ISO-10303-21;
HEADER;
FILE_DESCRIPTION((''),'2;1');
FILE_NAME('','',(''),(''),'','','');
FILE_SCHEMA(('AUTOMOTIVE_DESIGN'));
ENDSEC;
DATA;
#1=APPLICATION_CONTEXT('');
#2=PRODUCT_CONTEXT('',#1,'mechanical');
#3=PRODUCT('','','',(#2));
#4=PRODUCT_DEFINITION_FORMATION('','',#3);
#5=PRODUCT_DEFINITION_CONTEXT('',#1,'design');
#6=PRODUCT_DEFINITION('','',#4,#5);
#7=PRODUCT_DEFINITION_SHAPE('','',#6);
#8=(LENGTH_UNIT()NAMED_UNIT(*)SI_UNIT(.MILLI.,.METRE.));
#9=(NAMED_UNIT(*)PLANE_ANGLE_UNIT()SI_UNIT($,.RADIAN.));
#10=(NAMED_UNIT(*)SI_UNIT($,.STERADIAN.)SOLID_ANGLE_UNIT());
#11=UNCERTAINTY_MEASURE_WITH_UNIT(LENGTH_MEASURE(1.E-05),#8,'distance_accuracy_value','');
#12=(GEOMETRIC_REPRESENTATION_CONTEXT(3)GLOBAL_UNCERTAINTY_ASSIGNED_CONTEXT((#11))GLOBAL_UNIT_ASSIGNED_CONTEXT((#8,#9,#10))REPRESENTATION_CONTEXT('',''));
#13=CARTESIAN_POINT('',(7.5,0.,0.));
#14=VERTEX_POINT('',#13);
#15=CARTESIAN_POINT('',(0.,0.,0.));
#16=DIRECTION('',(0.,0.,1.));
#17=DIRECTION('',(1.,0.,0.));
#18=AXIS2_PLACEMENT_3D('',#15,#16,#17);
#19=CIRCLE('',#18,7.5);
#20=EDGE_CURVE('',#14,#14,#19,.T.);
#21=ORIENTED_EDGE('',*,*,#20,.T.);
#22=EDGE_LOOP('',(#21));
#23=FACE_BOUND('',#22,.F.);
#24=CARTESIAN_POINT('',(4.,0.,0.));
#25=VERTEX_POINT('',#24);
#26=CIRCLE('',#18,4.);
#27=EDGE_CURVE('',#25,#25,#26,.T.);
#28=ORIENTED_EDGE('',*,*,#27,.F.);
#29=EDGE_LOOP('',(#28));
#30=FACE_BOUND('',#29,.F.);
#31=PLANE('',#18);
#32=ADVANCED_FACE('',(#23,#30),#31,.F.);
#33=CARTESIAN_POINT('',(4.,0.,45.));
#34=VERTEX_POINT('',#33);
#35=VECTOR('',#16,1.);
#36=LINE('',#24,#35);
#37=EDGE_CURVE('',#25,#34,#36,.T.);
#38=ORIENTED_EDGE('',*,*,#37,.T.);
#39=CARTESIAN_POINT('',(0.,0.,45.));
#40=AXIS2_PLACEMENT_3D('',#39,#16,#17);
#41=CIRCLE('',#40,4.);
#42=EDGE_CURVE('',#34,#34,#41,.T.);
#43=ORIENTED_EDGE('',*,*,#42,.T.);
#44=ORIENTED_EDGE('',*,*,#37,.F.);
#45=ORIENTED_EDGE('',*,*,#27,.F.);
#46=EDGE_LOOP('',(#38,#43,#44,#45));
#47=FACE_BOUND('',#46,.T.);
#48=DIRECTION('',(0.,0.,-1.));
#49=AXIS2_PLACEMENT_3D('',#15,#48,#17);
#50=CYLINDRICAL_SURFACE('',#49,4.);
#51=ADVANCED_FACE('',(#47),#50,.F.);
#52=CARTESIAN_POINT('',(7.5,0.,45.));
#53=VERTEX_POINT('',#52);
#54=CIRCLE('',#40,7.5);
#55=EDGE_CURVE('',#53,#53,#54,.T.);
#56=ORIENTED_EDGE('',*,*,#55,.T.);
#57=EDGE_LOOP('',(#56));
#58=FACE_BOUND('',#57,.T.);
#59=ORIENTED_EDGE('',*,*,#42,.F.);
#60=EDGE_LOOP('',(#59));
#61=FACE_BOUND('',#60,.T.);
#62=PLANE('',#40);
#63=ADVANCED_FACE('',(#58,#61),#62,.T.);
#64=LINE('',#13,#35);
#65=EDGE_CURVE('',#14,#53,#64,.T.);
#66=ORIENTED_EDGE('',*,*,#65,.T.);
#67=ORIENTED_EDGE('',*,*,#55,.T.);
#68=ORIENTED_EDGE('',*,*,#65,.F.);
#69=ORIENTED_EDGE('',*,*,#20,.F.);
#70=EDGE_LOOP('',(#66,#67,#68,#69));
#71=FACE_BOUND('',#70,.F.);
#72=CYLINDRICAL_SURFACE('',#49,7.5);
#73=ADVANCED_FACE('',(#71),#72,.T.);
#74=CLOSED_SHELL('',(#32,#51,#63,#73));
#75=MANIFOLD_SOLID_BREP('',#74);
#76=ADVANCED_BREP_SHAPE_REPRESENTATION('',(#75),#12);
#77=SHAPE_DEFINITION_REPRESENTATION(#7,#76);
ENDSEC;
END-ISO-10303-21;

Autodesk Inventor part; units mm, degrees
ref_plane "YZ Plane" through (0, 0, 0) normal (1, 0, 0) x (0, 1, 0)
ref_plane "XZ Plane" through (0, 0, 0) normal (0, 1, 0) x (-1, 0, 0)
ref_plane "XY Plane" through (0, 0, 0) normal (0, 0, 1) x (1, 0, 0)
sketch "Sketch1" plane through (0, 0, 0) normal (0, 0, 1) x (1, 0, 0)
  circle A0 centre (0, 0) radius 7.5
  circle A1 centre (0, 0) radius 4
  dimension "d0" = 15
  dimension "d3" = 8
extrude "Extrusion1" add sketch "Sketch1" along normal blind 45
ref_plane "Work Plane1" through (0, 0, 22.5) normal (0, 0, 1) x (1, 0, 0)
properties part number "lienar bearings"
